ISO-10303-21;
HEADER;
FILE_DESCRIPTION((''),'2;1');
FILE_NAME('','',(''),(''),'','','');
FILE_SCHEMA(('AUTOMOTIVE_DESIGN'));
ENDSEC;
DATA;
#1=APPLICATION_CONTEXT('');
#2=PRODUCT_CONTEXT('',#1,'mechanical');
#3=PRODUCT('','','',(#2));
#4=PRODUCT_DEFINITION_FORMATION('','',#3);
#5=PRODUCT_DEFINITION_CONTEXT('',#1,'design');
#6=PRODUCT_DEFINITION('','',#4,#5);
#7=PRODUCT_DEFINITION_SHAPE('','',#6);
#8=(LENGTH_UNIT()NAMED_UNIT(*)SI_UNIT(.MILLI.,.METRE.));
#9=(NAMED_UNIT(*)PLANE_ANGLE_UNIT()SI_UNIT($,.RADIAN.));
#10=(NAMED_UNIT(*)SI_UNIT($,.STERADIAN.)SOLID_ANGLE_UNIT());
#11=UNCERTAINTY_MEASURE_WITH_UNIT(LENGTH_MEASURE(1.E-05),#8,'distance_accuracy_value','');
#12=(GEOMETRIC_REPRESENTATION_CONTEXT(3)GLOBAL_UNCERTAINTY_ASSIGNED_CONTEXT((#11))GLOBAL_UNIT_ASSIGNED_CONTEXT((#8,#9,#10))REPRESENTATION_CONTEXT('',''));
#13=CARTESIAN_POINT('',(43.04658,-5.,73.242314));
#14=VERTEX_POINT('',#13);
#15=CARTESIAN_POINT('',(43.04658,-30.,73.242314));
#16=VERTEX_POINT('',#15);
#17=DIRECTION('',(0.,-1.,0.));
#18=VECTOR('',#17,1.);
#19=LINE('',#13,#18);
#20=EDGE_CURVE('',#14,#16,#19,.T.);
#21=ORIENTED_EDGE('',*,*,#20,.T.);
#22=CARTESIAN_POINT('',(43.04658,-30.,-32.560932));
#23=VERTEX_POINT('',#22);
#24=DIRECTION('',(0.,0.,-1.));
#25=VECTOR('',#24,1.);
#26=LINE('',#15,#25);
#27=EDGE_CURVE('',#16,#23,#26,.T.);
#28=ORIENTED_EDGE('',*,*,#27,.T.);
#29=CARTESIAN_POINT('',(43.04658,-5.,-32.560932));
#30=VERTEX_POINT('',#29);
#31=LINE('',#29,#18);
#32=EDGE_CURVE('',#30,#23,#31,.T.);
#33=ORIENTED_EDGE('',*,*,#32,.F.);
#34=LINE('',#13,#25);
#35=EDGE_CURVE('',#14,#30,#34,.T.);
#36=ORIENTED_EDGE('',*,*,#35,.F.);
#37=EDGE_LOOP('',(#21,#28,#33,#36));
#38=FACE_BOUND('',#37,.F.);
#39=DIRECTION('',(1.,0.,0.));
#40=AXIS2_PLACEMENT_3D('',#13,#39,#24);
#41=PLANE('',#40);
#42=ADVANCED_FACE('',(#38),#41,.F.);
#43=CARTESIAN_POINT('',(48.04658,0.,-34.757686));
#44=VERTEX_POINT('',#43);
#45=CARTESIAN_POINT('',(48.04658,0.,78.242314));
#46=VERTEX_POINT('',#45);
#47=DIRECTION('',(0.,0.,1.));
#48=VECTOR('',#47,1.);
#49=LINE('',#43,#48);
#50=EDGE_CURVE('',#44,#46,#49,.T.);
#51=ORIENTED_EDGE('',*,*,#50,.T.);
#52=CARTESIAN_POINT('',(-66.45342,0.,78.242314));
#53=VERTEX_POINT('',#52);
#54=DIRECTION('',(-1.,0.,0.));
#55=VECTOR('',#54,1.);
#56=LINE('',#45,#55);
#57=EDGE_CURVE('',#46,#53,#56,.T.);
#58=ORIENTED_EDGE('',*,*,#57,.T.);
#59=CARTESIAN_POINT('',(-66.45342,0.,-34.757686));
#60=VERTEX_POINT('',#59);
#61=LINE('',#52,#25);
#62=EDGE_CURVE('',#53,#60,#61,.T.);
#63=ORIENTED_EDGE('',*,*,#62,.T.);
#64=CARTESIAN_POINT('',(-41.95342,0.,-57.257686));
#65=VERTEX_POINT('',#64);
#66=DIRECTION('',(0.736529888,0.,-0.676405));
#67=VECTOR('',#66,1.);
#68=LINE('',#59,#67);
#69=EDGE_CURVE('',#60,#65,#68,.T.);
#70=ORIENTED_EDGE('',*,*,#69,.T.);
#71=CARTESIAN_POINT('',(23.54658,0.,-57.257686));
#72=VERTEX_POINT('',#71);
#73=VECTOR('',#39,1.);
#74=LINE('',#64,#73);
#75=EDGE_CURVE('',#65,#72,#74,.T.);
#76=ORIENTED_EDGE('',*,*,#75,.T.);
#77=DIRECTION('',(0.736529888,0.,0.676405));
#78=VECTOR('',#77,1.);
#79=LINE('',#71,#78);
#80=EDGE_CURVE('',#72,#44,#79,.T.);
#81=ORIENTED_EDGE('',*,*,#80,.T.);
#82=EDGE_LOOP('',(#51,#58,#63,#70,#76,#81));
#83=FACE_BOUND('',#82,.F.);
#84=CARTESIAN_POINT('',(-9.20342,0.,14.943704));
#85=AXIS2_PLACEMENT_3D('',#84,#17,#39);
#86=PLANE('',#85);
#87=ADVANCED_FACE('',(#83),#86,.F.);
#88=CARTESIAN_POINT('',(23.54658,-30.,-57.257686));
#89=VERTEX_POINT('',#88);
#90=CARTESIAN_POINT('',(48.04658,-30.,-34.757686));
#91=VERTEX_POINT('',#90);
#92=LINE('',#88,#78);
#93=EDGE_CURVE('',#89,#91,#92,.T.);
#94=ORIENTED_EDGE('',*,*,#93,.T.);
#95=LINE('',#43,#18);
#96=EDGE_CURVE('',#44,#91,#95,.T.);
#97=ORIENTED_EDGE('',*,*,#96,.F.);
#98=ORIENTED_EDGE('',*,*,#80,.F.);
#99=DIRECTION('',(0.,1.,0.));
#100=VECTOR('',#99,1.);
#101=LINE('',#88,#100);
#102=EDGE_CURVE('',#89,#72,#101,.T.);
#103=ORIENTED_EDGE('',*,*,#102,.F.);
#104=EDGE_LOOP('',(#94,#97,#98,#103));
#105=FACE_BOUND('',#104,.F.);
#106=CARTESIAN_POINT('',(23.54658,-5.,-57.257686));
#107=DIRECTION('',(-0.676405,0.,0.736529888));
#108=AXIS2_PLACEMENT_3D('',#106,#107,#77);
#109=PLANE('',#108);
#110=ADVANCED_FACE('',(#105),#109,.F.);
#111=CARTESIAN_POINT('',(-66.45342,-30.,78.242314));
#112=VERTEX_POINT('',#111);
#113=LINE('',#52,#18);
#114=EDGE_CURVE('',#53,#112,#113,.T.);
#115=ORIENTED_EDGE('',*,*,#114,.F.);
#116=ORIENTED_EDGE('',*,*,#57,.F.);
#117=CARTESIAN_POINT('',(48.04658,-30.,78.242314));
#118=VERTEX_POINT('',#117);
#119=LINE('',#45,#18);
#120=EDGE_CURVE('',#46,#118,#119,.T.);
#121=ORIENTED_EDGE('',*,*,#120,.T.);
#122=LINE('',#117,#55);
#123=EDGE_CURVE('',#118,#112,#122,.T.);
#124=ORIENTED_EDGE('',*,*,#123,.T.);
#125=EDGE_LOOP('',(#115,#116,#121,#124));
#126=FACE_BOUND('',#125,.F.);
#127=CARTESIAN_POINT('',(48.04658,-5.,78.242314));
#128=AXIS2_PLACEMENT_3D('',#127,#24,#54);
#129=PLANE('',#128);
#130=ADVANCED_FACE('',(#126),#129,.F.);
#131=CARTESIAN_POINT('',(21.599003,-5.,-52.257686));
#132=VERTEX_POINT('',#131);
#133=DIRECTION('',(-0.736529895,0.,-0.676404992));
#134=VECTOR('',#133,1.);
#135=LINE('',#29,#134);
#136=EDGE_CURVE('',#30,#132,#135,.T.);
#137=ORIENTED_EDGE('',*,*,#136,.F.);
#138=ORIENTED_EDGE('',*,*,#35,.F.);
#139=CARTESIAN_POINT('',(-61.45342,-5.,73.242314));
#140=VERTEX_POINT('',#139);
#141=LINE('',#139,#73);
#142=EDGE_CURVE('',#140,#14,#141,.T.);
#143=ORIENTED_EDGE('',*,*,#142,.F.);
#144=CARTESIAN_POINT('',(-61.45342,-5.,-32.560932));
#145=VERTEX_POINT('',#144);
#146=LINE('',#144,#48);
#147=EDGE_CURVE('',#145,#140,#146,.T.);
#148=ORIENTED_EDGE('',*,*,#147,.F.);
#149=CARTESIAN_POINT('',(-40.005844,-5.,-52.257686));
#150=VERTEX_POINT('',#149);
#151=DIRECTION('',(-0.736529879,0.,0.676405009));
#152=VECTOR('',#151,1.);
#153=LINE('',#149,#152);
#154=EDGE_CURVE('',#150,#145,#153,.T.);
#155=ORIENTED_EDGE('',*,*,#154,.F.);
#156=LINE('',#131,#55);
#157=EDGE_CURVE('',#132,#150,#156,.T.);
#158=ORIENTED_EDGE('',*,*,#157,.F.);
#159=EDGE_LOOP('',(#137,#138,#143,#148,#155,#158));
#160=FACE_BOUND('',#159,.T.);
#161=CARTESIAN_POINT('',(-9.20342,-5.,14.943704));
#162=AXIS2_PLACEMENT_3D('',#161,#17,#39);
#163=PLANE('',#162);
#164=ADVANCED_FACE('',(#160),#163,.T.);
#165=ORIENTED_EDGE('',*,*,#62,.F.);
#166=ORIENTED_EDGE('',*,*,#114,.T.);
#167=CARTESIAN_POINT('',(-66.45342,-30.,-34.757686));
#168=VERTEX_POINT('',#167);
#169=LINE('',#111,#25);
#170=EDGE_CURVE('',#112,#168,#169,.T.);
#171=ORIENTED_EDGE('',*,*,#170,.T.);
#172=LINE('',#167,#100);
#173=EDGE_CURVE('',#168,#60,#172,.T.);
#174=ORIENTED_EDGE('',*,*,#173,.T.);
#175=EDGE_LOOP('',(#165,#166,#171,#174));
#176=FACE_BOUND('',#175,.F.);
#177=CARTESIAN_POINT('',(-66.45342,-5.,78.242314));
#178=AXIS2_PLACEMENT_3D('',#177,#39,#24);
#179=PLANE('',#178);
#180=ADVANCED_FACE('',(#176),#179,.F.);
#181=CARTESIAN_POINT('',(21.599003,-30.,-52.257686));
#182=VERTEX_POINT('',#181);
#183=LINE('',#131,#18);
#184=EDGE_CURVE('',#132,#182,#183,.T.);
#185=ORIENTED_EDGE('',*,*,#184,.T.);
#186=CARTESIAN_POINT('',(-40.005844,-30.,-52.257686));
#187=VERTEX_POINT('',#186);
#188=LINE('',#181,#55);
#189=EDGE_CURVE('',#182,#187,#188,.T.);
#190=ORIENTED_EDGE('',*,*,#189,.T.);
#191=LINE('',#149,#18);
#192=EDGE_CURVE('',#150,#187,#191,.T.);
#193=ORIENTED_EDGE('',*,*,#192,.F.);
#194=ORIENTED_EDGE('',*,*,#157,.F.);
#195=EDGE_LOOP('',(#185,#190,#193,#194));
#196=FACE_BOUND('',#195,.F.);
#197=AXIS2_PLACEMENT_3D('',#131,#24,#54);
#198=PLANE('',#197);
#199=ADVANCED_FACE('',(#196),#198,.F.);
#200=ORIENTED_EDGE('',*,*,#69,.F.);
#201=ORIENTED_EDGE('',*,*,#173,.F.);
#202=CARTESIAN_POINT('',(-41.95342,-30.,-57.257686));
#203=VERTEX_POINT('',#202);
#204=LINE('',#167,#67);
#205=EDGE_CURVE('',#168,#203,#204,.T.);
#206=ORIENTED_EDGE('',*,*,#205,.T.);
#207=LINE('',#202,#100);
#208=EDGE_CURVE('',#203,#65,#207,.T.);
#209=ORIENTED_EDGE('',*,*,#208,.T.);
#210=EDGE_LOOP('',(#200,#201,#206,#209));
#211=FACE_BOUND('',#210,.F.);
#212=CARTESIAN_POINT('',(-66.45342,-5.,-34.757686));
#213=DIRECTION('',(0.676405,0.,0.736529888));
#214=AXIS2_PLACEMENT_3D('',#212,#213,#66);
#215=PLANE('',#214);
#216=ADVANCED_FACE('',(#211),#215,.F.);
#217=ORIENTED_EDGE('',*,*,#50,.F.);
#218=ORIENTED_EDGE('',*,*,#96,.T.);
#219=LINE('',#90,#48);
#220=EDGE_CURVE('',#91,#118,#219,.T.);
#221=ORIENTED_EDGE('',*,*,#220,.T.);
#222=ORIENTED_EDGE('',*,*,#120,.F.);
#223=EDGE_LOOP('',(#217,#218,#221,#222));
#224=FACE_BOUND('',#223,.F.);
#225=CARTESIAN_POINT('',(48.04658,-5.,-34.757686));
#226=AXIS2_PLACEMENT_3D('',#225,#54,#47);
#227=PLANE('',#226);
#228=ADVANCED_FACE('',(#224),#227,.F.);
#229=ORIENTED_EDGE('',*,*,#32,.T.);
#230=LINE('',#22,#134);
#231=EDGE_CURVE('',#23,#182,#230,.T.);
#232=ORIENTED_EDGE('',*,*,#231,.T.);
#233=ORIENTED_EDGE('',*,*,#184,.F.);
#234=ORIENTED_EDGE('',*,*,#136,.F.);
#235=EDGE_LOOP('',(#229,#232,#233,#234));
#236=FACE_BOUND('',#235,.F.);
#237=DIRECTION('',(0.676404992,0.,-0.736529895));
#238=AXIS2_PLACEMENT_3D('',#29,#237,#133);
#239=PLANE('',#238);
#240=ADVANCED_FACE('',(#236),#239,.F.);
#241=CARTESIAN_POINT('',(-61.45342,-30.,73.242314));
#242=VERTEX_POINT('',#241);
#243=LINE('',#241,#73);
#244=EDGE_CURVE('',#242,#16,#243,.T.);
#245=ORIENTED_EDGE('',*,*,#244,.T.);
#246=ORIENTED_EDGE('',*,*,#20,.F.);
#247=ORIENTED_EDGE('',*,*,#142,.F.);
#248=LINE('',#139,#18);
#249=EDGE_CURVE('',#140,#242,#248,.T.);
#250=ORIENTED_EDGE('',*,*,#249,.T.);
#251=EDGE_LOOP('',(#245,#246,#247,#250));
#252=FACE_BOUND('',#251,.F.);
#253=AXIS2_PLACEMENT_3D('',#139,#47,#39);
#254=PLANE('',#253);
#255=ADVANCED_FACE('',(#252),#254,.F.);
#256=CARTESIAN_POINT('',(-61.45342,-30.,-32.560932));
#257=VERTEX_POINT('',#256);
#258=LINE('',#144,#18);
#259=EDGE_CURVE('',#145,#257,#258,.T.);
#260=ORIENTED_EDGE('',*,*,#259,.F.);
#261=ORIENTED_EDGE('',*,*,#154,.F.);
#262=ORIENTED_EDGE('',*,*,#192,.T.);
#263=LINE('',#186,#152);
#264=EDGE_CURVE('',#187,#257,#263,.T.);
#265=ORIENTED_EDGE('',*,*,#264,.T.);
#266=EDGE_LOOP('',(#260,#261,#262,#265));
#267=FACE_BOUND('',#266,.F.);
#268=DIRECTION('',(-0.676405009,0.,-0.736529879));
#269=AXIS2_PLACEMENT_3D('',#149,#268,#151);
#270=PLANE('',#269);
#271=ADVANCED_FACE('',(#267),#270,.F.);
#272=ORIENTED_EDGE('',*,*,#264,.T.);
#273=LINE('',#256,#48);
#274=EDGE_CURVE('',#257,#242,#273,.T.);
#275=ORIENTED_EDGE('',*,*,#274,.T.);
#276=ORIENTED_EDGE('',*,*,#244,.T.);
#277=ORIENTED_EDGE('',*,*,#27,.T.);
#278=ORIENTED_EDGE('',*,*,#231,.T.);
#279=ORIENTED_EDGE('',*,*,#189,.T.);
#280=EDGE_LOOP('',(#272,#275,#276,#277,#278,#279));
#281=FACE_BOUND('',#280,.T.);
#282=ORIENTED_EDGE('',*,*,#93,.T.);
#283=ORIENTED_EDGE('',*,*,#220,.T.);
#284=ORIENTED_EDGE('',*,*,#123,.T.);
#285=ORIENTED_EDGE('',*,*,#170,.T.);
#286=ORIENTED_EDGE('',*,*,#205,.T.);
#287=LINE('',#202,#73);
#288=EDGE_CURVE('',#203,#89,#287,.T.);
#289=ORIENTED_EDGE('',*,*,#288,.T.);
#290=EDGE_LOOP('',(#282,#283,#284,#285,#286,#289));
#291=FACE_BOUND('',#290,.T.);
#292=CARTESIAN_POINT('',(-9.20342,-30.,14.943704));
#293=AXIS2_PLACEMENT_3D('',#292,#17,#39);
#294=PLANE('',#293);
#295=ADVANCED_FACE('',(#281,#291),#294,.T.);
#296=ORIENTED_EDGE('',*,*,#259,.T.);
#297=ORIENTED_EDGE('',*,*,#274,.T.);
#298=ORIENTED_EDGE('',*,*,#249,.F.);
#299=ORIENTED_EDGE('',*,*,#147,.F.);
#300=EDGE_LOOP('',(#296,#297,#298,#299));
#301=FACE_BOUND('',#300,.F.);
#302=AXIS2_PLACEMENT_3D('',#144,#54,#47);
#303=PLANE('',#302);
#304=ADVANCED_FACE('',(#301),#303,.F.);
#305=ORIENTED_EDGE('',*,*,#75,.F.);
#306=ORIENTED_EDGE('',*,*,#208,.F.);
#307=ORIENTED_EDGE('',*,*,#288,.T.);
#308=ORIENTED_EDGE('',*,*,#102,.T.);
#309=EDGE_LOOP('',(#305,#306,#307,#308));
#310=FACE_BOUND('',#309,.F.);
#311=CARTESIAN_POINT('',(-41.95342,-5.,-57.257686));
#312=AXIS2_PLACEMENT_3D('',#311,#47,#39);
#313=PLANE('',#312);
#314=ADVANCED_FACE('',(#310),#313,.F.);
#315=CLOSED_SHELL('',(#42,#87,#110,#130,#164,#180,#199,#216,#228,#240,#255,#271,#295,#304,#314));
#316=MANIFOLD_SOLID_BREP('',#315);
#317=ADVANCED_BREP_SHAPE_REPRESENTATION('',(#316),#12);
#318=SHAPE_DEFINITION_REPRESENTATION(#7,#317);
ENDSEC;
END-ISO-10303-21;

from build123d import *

# Parameters (mm, degrees)
F1_DEPTH = 5
F3_DEPTH = 25


with BuildPart() as f1:
    # F0 (on Front) → F1 (new body)
    with BuildSketch(Plane.XZ):
        Polygon((48.04658, 78.242314), (-66.45342, 78.242314), (-66.45342, -34.757686), (-41.95342, -57.257686), (23.54658, -57.257686), (48.04658, -34.757686), align=None)
    extrude(amount=F1_DEPTH)

    # F2 (on face) → F3 (join)
    with BuildSketch(Plane.XZ.offset(5)):
        Polygon((23.54658, -57.257686), (48.04658, -34.757686), (48.04658, 78.242314), (-66.45342, 78.242314), (-66.45342, -34.757686), (-41.95342, -57.257686), align=None)
        Polygon((-61.45342, -32.560932), (-61.45342, 73.242314), (43.04658, 73.242314), (43.04658, -32.560932), (21.599003, -52.257686), (-40.005844, -52.257686), align=None, mode=Mode.SUBTRACT)
    extrude(amount=F3_DEPTH)


solid = f1.part
